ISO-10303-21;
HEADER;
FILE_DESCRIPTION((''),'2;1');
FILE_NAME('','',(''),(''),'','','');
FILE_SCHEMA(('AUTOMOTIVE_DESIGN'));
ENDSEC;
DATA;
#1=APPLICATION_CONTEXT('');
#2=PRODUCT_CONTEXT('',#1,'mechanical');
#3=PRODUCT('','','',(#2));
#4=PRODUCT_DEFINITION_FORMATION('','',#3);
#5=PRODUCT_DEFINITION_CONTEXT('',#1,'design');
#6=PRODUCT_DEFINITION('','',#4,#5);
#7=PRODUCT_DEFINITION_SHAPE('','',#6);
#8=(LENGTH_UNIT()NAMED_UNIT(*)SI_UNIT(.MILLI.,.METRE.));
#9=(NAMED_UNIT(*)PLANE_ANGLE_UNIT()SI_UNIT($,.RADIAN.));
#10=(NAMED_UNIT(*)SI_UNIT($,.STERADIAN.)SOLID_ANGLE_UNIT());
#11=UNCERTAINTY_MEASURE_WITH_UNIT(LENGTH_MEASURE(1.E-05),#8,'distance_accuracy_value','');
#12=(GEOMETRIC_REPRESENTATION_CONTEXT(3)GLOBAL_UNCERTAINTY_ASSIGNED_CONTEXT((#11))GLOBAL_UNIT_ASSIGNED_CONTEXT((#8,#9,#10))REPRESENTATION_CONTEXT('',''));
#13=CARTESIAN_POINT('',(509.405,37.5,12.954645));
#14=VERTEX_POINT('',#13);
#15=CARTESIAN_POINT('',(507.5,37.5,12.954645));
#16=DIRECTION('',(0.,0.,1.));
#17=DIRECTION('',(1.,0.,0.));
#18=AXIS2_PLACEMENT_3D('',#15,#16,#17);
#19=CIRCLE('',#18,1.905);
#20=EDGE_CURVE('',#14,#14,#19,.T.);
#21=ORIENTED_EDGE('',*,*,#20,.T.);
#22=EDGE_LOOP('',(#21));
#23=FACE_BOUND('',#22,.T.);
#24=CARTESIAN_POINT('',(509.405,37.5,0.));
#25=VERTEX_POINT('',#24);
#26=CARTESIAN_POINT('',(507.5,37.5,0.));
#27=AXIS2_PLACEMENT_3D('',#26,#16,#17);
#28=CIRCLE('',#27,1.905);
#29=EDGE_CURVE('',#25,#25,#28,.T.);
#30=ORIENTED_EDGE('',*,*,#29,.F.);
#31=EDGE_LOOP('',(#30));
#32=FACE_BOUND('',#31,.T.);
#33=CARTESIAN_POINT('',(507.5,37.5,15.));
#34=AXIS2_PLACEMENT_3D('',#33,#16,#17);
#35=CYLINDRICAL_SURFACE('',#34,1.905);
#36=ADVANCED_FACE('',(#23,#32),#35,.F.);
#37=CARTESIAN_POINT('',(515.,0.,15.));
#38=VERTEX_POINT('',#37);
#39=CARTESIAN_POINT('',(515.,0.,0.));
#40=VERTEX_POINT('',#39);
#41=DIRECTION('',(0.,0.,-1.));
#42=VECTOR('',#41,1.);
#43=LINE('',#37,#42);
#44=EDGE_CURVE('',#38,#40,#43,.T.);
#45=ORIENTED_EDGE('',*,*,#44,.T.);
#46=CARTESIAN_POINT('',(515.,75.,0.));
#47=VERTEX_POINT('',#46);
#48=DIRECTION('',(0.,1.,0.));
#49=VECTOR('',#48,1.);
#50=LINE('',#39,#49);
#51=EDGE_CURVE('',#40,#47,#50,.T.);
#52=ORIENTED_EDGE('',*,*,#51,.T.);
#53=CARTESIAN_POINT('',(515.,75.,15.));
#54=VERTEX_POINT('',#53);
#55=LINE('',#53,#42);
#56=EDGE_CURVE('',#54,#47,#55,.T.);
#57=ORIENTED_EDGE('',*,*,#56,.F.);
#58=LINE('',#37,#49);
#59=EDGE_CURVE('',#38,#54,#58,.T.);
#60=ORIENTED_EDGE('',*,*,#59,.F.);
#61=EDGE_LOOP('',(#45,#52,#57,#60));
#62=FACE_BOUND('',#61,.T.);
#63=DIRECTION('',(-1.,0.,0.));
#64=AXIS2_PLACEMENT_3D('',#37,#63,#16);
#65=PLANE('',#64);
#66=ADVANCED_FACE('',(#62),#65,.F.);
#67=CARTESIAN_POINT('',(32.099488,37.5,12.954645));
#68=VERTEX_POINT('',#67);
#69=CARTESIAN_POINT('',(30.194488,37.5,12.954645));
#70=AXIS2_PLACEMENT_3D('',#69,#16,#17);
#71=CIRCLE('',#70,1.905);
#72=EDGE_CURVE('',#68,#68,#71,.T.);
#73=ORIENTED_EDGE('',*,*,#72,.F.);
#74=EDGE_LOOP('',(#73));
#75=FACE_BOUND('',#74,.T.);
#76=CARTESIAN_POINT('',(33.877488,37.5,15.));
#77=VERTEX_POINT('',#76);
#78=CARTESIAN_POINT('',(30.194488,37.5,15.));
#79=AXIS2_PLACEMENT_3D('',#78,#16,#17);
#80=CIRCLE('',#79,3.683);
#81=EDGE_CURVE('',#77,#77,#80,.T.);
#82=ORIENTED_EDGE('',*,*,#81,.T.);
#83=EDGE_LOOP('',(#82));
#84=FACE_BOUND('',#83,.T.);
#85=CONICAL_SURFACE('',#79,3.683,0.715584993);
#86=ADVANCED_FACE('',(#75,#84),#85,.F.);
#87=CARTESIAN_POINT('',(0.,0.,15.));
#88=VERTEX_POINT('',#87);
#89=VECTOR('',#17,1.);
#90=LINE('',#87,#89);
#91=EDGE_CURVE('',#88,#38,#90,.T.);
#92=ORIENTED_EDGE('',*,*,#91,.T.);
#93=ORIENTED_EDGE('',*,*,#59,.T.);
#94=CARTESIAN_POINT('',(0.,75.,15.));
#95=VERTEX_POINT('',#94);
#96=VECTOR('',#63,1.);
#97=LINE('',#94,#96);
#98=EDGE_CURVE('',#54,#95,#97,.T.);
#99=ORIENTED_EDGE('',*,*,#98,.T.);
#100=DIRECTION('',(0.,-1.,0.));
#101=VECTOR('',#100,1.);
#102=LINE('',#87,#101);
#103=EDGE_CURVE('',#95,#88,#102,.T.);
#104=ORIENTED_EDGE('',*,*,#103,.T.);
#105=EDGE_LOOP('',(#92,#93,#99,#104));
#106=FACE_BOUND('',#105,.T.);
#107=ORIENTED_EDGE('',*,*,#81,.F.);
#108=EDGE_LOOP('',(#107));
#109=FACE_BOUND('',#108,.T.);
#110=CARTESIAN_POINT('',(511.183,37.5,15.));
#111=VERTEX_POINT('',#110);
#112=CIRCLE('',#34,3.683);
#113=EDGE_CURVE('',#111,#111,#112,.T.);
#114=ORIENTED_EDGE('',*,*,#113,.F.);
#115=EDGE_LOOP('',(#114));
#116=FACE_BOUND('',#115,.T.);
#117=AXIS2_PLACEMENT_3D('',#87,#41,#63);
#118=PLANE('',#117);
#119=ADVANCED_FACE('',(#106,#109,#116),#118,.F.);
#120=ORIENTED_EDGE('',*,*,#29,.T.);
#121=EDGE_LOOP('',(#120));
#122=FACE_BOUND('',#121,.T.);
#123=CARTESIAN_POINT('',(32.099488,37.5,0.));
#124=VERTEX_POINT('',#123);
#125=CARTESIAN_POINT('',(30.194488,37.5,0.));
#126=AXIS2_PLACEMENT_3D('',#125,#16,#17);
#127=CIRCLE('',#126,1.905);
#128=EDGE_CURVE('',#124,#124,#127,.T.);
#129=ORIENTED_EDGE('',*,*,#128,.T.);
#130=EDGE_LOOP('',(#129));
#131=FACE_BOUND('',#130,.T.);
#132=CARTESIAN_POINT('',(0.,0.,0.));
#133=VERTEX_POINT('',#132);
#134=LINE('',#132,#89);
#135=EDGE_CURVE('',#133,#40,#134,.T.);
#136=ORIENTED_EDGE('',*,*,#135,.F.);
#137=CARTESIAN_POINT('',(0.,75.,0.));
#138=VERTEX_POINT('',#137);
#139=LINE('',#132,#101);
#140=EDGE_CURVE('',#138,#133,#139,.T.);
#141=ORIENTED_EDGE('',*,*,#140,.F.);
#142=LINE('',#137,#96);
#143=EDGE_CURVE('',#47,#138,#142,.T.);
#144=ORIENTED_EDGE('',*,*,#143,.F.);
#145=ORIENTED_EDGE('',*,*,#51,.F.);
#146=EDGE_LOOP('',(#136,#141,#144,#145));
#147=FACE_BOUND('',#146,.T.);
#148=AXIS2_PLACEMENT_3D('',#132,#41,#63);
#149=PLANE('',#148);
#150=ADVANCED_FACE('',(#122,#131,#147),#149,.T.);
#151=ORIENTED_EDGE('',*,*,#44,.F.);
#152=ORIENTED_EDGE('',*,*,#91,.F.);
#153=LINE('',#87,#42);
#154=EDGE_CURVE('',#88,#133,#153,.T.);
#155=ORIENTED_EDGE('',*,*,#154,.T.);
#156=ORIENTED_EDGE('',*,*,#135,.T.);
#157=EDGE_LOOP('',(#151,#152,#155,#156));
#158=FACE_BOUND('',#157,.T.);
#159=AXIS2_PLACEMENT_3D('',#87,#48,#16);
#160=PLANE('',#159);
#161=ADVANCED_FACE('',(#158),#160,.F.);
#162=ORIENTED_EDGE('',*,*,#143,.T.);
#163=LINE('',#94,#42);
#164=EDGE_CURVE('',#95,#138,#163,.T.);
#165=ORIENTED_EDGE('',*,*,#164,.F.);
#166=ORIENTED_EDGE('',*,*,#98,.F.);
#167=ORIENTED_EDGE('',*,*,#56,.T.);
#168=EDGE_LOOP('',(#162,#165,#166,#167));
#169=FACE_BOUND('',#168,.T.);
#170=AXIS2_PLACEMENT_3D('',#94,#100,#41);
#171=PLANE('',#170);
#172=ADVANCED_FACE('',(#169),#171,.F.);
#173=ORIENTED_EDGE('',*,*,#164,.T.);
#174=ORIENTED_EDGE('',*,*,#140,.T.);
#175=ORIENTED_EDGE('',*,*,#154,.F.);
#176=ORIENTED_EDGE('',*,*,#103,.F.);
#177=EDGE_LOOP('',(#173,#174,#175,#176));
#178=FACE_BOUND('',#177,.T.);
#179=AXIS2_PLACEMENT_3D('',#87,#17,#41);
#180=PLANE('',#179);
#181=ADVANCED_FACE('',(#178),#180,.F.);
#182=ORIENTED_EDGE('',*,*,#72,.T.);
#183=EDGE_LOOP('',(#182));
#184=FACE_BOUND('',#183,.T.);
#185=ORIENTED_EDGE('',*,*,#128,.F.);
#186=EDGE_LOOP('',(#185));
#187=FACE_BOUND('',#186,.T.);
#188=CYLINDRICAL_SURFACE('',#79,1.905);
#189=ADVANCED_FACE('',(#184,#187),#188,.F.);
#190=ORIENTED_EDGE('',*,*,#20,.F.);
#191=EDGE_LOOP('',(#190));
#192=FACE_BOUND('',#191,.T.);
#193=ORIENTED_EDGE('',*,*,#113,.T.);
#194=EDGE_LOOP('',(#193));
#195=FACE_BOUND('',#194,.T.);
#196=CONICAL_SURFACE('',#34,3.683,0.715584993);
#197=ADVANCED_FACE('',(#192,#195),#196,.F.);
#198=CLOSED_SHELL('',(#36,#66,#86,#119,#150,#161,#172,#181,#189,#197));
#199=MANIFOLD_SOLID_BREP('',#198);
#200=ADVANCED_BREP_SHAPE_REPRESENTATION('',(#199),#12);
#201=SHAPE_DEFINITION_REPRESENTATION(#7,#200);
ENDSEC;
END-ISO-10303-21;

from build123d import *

# Parameters (mm, degrees)
SKETCH1_W                                         = 51.5
SKETCH1_H                                         = 7.5
BOSS_EXTRUDE1_DEPTH                               = 1.5
SCALE1_SCALE                                      = 10
CSK_FOR_6_FLAT_HEAD_SOCKET_CAP_SCREW4_D           = 3.81
CSK_FOR_6_FLAT_HEAD_SOCKET_CAP_SCREW4_CSINK_D     = 7.366
CSK_FOR_6_FLAT_HEAD_SOCKET_CAP_SCREW4_CSINK_ANGLE = 82
CSK_FOR_6_FLAT_HEAD_SOCKET_CAP_SCREW5_D           = 3.81
CSK_FOR_6_FLAT_HEAD_SOCKET_CAP_SCREW5_CSINK_D     = 7.366
CSK_FOR_6_FLAT_HEAD_SOCKET_CAP_SCREW5_CSINK_ANGLE = 82


with BuildPart() as part:
    # Sketch1 → Boss-Extrude1 (new body)
    with BuildSketch(Plane.XY):
        with Locations((25.75, 3.75)):
            Rectangle(SKETCH1_W, SKETCH1_H)
    extrude(amount=BOSS_EXTRUDE1_DEPTH)


with BuildPart() as part_1:
    # Scale1: scaled about (0, 0, 0)
    add(part.part.scale(SCALE1_SCALE))

    # CSK for #6 Flat Head Socket Cap Screw4 (through all)
    with Locations(Plane(origin=(-500, -171.918477494, 15), x_dir=(0, 1, 0), z_dir=(0, 0, 1))):
        with Locations((209.418477494, -1007.5)):
            CounterSinkHole(CSK_FOR_6_FLAT_HEAD_SOCKET_CAP_SCREW4_D / 2, CSK_FOR_6_FLAT_HEAD_SOCKET_CAP_SCREW4_CSINK_D / 2, counter_sink_angle=CSK_FOR_6_FLAT_HEAD_SOCKET_CAP_SCREW4_CSINK_ANGLE)

    # CSK for #6 Flat Head Socket Cap Screw5 (through all)
    with Locations(Plane(origin=(-500, -171.918477494, 15), x_dir=(0, 1, 0), z_dir=(0, 0, 1))):
        with Locations((209.418477494, -530.194488108)):
            CounterSinkHole(CSK_FOR_6_FLAT_HEAD_SOCKET_CAP_SCREW5_D / 2, CSK_FOR_6_FLAT_HEAD_SOCKET_CAP_SCREW5_CSINK_D / 2, counter_sink_angle=CSK_FOR_6_FLAT_HEAD_SOCKET_CAP_SCREW5_CSINK_ANGLE)


solid = part_1.part
